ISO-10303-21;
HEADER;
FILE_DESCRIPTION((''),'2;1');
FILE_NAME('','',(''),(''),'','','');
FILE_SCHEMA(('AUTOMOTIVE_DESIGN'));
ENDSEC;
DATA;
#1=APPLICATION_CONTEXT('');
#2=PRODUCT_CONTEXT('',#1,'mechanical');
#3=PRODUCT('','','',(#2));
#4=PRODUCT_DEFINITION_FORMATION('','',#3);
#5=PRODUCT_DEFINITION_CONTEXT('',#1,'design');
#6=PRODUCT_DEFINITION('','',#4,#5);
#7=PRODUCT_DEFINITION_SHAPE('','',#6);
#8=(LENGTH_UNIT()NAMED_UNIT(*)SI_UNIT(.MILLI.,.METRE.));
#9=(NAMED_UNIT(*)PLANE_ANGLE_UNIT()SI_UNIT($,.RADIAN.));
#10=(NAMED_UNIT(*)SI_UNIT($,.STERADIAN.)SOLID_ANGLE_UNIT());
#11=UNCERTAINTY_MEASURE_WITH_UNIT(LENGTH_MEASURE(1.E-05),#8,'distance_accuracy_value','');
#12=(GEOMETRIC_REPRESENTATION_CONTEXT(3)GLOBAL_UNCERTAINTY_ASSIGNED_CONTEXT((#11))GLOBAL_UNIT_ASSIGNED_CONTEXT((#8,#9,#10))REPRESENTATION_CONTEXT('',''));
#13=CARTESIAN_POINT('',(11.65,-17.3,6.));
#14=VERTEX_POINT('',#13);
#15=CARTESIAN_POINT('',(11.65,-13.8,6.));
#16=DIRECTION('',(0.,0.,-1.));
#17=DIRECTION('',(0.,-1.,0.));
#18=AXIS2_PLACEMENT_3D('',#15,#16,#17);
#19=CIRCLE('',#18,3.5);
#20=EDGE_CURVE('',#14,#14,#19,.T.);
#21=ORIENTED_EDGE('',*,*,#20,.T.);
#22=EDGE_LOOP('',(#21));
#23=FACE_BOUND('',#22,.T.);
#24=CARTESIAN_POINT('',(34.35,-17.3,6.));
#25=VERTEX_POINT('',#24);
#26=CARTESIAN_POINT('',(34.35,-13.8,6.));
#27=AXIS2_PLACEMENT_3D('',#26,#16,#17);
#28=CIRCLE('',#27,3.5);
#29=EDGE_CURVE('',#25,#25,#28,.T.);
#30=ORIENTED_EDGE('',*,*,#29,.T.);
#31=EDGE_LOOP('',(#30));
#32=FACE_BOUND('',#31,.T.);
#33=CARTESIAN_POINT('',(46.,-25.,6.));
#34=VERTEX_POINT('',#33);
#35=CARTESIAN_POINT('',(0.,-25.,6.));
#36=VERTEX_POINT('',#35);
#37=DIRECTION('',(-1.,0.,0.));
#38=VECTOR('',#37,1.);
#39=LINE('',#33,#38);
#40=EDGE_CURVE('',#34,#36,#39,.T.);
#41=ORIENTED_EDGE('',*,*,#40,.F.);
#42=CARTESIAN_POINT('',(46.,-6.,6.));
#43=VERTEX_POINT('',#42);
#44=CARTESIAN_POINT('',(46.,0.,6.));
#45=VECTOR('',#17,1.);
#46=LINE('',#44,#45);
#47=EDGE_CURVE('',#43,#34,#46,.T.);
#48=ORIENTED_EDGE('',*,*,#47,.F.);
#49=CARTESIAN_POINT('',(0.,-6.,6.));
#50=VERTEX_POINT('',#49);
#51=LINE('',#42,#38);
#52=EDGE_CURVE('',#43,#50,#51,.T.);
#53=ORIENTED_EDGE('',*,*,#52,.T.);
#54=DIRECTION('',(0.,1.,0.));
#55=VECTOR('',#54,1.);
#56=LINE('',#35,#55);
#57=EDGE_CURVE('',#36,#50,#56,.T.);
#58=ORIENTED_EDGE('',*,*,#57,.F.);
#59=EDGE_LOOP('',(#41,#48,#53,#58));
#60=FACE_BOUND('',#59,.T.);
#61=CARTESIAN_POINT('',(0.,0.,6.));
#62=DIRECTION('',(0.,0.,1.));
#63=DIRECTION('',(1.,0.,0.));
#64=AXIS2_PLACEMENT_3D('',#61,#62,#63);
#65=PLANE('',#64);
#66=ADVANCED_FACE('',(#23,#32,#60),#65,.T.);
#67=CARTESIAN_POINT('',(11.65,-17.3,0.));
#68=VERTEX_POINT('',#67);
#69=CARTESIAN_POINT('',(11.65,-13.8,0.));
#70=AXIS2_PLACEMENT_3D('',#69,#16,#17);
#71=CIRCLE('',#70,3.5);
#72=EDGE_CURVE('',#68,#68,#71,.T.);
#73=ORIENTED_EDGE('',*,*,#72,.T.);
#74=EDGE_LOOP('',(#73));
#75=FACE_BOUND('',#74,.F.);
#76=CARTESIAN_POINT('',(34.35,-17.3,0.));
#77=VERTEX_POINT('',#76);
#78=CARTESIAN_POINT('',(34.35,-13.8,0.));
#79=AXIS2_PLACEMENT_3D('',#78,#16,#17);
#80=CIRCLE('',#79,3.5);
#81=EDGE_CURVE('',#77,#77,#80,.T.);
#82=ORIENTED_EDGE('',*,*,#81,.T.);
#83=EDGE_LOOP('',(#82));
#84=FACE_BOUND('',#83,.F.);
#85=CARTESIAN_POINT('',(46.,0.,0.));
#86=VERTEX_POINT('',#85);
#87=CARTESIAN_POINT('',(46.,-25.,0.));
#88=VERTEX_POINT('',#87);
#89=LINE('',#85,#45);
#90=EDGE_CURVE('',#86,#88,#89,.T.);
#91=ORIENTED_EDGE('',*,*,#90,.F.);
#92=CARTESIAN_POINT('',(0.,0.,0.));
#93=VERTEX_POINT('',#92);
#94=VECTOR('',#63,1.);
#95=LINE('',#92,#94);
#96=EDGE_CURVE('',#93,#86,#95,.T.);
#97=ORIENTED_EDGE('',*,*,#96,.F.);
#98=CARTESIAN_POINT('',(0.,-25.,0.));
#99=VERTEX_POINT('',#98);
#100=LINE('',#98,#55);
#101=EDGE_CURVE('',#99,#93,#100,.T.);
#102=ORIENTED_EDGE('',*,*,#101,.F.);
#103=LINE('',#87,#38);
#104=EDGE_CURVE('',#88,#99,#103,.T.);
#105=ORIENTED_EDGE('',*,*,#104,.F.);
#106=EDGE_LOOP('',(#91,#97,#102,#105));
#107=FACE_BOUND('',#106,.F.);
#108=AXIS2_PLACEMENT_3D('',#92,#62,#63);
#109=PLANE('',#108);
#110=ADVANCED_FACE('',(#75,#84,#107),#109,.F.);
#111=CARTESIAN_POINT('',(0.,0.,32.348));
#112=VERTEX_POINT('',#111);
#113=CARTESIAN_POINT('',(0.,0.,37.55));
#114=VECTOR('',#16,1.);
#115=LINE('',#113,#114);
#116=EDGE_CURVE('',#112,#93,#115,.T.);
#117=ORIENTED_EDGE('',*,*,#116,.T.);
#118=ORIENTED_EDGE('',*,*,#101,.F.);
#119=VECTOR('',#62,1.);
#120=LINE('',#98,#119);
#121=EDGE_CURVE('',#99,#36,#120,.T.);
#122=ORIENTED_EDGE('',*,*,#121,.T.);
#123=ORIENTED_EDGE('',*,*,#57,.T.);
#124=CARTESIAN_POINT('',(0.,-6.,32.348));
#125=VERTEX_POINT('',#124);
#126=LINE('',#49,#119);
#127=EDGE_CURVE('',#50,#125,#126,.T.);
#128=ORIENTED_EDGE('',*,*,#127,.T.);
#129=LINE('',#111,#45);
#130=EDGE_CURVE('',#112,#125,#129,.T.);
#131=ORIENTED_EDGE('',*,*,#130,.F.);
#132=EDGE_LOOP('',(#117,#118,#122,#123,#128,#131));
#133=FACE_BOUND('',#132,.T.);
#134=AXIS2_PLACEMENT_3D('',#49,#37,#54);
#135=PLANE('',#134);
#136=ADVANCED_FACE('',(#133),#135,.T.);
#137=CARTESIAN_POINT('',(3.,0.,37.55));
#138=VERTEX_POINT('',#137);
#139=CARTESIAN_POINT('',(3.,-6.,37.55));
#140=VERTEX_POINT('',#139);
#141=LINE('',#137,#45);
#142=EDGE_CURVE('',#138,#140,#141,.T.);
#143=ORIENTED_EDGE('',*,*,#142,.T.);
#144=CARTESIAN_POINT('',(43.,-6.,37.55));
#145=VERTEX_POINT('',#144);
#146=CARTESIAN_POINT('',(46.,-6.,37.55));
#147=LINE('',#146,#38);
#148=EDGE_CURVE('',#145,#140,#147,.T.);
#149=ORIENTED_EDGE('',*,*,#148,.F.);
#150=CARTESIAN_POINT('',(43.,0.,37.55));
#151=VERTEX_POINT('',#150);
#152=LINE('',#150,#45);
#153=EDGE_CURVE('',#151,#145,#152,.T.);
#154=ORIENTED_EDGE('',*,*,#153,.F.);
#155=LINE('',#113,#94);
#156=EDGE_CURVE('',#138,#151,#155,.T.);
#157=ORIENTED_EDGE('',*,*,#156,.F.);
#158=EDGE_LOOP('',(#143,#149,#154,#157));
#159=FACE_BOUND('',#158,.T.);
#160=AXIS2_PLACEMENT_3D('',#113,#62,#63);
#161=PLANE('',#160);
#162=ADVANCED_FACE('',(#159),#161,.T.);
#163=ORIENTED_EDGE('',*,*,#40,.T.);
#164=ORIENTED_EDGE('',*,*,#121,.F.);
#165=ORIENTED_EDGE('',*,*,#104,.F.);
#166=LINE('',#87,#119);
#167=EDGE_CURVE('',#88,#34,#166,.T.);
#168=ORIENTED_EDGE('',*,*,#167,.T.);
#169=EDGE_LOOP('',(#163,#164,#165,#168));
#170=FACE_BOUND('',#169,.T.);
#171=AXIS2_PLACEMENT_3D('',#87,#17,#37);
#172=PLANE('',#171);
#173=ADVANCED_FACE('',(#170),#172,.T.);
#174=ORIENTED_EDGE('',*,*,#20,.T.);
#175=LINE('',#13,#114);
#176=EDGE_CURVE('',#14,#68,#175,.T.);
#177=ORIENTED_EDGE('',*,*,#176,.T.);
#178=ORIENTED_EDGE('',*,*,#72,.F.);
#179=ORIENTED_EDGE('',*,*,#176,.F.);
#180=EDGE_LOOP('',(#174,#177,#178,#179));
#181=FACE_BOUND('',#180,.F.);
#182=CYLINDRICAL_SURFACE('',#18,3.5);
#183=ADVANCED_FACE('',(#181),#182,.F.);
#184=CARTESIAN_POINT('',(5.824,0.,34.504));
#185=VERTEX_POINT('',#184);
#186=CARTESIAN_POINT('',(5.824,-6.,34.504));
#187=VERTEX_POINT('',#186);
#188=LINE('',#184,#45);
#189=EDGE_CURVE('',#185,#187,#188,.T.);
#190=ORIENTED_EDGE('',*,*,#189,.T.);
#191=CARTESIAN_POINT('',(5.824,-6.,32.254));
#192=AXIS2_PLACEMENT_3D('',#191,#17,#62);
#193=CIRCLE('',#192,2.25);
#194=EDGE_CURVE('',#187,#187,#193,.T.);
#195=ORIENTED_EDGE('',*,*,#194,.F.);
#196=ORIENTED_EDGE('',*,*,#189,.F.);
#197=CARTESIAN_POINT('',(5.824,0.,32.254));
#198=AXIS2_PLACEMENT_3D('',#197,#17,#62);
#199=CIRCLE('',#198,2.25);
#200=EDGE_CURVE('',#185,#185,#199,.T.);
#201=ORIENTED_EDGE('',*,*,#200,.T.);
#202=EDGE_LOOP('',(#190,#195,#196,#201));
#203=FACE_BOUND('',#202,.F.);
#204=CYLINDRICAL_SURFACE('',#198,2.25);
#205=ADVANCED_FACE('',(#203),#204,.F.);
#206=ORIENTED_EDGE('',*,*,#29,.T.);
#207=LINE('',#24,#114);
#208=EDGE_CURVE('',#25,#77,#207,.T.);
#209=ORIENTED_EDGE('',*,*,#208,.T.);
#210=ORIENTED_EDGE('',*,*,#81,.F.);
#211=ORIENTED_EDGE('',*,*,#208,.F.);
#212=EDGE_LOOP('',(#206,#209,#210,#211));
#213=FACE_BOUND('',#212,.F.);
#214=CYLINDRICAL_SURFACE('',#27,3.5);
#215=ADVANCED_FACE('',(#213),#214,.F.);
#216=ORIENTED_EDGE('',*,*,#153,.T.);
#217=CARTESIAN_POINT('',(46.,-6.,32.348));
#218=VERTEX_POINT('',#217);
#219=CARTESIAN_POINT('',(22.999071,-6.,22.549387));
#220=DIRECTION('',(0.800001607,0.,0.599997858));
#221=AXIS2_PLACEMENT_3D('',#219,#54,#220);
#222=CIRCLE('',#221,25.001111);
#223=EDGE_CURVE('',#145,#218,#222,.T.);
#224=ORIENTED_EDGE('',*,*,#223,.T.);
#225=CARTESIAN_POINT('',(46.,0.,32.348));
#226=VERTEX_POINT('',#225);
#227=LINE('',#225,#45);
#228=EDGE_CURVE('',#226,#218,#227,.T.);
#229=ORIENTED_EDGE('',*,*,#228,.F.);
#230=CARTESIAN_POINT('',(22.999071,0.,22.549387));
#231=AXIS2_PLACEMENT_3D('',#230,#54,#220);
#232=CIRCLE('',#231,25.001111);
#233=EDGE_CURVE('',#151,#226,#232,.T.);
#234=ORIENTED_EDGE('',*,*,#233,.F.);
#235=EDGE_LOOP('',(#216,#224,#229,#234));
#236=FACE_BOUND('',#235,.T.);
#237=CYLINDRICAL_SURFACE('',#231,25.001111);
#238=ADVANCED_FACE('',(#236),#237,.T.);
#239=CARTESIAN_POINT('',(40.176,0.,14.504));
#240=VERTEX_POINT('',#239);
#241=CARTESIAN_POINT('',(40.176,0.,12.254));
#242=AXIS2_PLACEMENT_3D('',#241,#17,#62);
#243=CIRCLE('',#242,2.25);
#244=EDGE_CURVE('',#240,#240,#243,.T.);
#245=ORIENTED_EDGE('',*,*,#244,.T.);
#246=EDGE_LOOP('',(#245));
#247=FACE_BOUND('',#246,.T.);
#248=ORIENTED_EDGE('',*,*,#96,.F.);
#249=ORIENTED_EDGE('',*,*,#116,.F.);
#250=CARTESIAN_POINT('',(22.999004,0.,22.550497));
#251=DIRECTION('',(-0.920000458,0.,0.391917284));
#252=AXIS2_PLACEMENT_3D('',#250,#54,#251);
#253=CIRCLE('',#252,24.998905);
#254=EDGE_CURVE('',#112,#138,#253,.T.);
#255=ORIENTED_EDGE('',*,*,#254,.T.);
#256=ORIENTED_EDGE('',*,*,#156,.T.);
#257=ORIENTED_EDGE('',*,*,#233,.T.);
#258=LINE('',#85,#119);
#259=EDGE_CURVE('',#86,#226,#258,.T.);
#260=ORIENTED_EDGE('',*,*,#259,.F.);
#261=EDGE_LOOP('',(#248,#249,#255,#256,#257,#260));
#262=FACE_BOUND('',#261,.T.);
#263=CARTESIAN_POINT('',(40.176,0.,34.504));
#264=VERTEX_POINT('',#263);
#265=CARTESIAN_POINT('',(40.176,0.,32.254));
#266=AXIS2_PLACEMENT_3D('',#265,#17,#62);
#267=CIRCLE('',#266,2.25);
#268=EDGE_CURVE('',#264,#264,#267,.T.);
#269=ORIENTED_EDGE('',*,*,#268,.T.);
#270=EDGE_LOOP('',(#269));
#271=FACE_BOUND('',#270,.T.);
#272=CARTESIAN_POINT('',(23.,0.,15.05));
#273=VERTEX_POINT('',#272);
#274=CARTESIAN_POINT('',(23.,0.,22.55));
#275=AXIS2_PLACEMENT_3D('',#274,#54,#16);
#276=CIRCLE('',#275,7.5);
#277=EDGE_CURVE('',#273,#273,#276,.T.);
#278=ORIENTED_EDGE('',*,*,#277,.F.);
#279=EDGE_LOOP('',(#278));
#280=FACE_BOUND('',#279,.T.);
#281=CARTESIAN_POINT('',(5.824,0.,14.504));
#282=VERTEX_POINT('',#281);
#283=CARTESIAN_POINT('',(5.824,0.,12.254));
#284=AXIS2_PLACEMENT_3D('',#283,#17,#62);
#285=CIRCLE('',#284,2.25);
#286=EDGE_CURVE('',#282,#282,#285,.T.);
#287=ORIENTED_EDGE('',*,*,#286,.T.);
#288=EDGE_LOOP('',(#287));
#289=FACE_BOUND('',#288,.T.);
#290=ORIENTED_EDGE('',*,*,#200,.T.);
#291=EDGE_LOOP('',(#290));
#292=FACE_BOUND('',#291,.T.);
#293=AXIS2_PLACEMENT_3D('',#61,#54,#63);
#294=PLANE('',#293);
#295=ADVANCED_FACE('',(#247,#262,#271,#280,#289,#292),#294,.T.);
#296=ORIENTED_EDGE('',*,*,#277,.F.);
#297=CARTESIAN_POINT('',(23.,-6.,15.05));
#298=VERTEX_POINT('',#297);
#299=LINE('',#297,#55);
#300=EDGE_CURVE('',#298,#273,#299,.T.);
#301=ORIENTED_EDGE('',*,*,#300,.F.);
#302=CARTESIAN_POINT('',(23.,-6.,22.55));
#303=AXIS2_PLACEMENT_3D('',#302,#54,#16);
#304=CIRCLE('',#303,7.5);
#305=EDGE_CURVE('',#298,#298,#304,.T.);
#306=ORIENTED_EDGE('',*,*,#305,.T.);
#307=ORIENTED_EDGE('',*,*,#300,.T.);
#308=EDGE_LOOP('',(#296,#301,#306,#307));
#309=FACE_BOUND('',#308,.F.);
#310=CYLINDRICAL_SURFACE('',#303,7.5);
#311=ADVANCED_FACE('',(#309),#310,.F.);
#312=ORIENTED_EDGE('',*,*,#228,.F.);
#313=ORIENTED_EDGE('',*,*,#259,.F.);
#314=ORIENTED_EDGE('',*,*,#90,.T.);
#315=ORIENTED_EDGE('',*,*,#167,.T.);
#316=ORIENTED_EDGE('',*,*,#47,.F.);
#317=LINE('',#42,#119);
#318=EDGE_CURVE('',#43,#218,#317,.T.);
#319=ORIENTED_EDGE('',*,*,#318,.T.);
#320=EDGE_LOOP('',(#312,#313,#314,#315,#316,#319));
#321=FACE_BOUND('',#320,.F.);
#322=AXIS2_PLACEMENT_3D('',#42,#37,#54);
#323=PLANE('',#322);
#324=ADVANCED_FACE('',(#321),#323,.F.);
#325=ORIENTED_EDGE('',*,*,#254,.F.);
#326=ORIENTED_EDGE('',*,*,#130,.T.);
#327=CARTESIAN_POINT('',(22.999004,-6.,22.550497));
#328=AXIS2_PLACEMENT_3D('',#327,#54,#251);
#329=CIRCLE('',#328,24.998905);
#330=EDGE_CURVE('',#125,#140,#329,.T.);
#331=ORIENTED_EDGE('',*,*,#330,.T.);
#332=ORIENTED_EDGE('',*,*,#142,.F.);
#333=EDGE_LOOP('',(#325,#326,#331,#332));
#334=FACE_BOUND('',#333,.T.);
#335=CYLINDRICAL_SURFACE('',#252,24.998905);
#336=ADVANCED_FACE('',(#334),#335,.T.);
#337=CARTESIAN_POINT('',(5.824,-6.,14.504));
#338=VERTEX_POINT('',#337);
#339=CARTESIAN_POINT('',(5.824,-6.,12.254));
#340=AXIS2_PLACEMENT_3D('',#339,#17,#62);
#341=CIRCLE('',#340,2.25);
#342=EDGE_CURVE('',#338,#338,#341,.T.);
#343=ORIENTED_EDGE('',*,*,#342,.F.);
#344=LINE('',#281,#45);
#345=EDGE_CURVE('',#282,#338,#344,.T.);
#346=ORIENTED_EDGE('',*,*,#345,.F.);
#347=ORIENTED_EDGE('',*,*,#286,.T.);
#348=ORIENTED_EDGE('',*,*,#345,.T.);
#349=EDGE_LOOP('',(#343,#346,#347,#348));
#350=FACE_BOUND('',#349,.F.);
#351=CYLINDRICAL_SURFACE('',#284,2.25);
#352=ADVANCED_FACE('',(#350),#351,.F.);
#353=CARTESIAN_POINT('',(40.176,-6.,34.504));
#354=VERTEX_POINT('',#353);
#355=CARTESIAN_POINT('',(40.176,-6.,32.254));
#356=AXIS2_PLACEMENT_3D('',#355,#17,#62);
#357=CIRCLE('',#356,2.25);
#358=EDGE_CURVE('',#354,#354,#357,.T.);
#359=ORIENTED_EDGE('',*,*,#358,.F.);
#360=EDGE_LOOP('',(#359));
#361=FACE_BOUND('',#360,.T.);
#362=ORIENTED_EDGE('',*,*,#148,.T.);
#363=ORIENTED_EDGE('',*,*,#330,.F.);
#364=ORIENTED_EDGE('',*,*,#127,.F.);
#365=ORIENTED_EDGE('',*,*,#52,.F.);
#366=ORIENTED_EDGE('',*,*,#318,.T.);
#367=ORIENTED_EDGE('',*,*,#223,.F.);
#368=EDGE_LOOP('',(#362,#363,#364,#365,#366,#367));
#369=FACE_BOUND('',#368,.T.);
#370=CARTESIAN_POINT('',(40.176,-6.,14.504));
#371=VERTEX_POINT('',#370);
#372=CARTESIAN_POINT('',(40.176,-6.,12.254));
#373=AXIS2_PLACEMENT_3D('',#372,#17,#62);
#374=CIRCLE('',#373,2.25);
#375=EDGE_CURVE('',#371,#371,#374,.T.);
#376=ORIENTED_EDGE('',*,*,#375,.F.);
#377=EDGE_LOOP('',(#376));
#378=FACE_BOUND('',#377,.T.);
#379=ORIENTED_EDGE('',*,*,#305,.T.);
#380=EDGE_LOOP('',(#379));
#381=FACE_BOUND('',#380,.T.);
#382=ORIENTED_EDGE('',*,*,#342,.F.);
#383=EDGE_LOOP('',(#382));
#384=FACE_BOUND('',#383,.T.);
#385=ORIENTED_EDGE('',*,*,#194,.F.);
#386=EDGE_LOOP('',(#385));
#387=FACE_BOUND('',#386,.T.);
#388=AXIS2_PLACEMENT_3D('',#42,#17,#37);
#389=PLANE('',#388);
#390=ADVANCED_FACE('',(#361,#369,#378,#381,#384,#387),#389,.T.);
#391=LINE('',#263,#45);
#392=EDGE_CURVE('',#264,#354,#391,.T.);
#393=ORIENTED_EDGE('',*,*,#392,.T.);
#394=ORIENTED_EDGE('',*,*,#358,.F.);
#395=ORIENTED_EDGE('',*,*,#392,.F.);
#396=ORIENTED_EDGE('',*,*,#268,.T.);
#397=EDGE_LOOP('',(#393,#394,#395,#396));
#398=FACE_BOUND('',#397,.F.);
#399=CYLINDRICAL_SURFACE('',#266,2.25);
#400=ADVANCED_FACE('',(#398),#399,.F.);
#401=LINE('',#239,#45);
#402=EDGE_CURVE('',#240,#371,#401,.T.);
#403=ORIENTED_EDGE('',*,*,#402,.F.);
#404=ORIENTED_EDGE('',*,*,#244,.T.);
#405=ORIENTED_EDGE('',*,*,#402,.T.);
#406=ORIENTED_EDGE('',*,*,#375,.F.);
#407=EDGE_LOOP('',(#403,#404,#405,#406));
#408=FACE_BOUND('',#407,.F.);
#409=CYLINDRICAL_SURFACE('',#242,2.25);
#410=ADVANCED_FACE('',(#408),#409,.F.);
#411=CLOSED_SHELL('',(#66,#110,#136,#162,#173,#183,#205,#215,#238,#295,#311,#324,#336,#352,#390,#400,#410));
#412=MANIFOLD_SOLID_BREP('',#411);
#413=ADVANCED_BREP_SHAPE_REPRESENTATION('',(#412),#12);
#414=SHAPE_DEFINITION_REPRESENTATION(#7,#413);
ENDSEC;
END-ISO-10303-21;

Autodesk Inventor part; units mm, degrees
ref_plane "YZ Plane" through (0, 0, 0) normal (1, 0, 0) x (0, 1, 0)
ref_plane "XZ Plane" through (0, 0, 0) normal (0, 1, 0) x (-1, 0, 0)
ref_plane "XY Plane" through (0, 0, 0) normal (0, 0, 1) x (1, 0, 0)
sketch "Sketch1" plane through (0, 0, 0) normal (0, 0, 1) x (1, 0, 0)
  line L0 (0, 0) -> (46, 0)
  line L1 (46, 0) -> (46, -25)
  line L2 (46, -25) -> (0, -25)
  line L3 (0, -25) -> (0, 0)
  dimension "d0" = 46
  dimension "d1" = 25
extrude "Extrusion1" add sketch "Sketch1" along normal blind 6
sketch "Sketch2" plane through (0, 0, 6) normal (0, 0, 1) x (1, 0, 0)
  line L0 (46, 0) -> (0, 0) construction
  line L1 (23, 0) -> (23, -25) construction
  line L2 (0, -25) -> (46, -25) construction
  line L3 (0, 0) -> (0, -25) construction
  line L4 (0, -13.8) -> (11.65, -13.8) construction
  point P0 (34.35, -13.8)
  dimension "d5" = 13.8
  dimension "d34" = 11.65
hole "Hole1" at (11.65, -13.8, 6) at (34.35, -13.8, 6) direction (0, 0, -1) diameter 7 end through all
sketch "Sketch3" plane through (0, 0, 6) normal (0, 0, 1) x (1, 0, 0)
  line L0 (46, -25) -> (46, 0) projected
  line L1 (0, 0) -> (46, 0)
  line L2 (46, 0) -> (46, -6)
  line L3 (46, -6) -> (0, -6)
  line L4 (0, -6) -> (0, 0)
  dimension "d13" = 6
extrude "Extrusion2" add sketch "Sketch3" along normal blind 31.55
sketch "Sketch4" plane through (0, 0, 0) normal (0, 1, 0) x (1, 0, 0)
  line L0 (0, 0) -> (0, -37.55) construction
  line L1 (0, -12.254) -> (5.824, -12.254) construction
  line L2 (0, -6) -> (46, -6) construction
  line L3 (0, 0) -> (46, 0) construction
  line L4 (23, 0) -> (23, -37.55) construction
  line L5 (46, -37.55) -> (0, -37.55) construction
  line L6 (0, -32.254) -> (5.824, -32.254) construction
  point P0 (40.176, -32.254)
  point P1 (40.176, -12.254)
  dimension "d16" = 12.254
  dimension "d17" = 5.824
  dimension "d18" = 20
hole "Hole2" at (5.824, 0, 32.254) at (5.824, 0, 12.254) at (40.176, 0, 32.254) at (40.176, 0, 12.254) direction (0, -1, 0) diameter 4.5 end through all
sketch "Sketch5" plane through (0, -6, 6) normal (0, -1, 0) x (1, 0, 0)
  line L0 (0, 31.55) -> (46, 31.55) projected
  point P0 (0, -6)
  point P1 (23, 16.55)
  dimension "d26" = 15
hole "Hole3" at (23, -6, 22.55) direction (0, 1, 0) diameter 15 end through all
sketch "Sketch6" plane through (0, 0, 0) normal (0, 1, 0) x (1, 0, 0)
  circle A0 centre (23, -22.55) radius 7.5 projected
  line L0 (0, -37.55) -> (46, -37.55) construction
  line L1 (46, -37.55) -> (0, -37.55) construction
  line L2 (0, -37.55) -> (0, -27.1443) construction
  line L3 (0, 0) -> (0, -37.55) construction
  line L4 (46, -37.55) -> (46, -28.4346) construction
  line L5 (46, -6) -> (46, -37.55) construction
  arc A1 (0, -32.348) -> (3, -37.55) centre (23, -22.55) ccw
  arc A2 (43, -37.55) -> (46, -32.348) centre (23, -22.55) ccw
  line L6 (43, -37.55) -> (46, -37.55)
  line L7 (3, -37.55) -> (0, -37.55)
  line L8 (0, -32.348) -> (0, -37.55)
  line L9 (46, -37.55) -> (46, -32.348)
extrude "Extrusion3" cut sketch "Sketch6" against normal up to next contours A1 L7 L8 | A2 L9 L6
thread "Thread5" size "M7x1" class "6H" standard "ANSI Metric M Profile" full length
thread "Thread6" size "M7x1" class "6H" standard "ANSI Metric M Profile" full length
thread "Thread7" size "M4.5x0.75" class "6H" standard "ANSI Metric M Profile" full length
thread "Thread8" size "M4.5x0.75" class "6H" standard "ANSI Metric M Profile" full length
thread "Thread9" size "M4.5x0.75" class "6H" standard "ANSI Metric M Profile" full length
thread "Thread10" size "M4.5x0.75" class "6H" standard "ANSI Metric M Profile" full length
thread "Thread11" size "M4.5x0.75" class "6H" standard "ANSI Metric M Profile" full length
properties part number "X-axis Ball Screw Support"
